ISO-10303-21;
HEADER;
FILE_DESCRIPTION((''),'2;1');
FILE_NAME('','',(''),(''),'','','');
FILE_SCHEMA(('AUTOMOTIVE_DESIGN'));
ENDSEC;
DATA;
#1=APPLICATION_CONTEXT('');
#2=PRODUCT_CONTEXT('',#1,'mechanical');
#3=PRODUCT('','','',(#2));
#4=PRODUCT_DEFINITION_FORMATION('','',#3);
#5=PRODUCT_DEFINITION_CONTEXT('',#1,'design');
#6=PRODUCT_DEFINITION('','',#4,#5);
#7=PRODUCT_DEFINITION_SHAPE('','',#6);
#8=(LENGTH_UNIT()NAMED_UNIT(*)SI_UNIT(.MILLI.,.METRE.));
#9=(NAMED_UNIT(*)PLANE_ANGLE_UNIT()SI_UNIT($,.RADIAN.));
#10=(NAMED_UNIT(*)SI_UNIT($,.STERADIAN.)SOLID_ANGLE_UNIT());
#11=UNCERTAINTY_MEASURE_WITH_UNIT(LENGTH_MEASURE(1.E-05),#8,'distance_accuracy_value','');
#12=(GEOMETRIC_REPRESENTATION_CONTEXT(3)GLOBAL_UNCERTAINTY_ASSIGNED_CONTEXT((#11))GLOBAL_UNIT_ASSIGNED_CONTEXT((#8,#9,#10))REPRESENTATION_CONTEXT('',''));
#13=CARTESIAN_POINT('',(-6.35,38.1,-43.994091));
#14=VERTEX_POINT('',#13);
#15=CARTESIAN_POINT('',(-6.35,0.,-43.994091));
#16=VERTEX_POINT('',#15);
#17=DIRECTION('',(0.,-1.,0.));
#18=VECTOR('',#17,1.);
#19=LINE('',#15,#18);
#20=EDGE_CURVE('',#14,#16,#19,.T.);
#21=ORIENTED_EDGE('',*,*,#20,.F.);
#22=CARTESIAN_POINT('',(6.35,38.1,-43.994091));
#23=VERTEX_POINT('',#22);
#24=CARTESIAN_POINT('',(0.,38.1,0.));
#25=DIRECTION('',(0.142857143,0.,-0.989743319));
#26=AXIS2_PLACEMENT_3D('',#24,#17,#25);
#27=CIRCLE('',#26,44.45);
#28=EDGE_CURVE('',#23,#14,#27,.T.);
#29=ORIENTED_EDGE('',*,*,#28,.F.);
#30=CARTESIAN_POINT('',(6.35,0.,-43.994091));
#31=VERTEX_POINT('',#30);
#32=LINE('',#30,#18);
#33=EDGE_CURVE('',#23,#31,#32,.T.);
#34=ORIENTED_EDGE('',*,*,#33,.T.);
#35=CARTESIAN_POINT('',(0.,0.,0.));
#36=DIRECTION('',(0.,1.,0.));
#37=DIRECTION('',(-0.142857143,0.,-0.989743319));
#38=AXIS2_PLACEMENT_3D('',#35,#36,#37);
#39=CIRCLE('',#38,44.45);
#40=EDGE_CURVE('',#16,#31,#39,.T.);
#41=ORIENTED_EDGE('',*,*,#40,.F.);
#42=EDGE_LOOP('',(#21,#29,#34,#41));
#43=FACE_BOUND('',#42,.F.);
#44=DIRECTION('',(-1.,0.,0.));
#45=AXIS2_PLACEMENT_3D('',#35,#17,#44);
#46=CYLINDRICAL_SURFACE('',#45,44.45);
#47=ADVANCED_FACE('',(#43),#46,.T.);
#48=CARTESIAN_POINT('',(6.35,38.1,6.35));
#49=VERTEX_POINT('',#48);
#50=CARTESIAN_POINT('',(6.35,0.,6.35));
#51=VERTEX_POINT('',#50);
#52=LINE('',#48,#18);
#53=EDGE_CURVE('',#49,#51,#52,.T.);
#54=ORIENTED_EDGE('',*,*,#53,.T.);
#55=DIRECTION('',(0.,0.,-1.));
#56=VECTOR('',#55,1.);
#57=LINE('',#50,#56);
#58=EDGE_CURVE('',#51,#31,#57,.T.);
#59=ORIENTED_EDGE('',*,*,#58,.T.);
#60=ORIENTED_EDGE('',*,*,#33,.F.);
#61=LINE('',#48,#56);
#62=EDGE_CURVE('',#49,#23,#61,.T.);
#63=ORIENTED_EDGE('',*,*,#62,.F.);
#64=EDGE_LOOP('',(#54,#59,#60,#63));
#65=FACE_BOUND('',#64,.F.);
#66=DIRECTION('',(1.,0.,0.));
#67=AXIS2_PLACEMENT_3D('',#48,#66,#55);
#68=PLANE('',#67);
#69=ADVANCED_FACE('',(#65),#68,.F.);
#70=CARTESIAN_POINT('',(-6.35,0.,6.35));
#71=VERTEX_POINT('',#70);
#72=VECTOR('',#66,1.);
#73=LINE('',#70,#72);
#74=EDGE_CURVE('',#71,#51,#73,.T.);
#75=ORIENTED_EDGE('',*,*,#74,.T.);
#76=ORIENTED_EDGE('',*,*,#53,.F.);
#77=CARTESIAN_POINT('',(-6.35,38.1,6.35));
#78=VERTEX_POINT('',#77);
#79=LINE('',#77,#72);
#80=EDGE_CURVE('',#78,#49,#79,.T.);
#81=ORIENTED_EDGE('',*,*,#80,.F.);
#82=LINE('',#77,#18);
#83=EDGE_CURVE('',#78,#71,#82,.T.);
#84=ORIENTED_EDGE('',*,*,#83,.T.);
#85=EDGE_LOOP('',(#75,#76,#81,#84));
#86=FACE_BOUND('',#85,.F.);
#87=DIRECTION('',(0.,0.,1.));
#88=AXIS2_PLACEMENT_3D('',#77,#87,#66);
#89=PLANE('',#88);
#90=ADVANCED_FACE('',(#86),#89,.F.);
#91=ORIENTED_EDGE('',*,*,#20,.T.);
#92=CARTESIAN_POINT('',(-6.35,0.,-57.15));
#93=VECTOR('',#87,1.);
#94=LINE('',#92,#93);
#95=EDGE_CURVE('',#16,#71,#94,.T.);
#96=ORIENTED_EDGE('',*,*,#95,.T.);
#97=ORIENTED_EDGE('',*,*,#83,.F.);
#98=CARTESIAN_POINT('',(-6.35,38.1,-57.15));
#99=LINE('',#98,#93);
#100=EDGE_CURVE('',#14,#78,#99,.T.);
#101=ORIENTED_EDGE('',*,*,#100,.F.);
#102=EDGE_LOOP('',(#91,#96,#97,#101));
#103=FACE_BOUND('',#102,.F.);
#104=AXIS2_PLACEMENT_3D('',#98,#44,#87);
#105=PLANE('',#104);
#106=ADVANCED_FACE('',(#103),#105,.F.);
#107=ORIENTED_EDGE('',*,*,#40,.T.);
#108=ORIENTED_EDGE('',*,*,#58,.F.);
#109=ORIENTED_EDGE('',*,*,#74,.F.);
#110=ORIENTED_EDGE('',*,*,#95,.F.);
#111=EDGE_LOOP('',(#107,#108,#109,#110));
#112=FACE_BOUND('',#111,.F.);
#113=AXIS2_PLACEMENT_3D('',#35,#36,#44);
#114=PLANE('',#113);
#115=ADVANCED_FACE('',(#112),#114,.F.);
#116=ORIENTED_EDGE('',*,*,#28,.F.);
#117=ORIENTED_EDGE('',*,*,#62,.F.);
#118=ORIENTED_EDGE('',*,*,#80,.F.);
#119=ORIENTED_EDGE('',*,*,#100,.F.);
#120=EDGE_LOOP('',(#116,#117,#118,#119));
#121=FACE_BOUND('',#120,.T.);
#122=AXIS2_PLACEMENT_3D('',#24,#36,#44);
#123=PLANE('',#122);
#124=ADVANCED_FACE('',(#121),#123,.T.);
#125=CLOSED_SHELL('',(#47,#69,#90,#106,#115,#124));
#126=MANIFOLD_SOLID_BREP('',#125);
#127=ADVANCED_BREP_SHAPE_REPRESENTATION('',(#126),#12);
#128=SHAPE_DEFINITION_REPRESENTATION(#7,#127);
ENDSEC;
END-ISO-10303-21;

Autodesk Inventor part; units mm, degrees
ref_plane "YZ Plane" through (0, 0, 0) normal (1, 0, 0) x (0, 1, 0)
ref_plane "XZ Plane" through (0, 0, 0) normal (0, 1, 0) x (-1, 0, 0)
ref_plane "XY Plane" through (0, 0, 0) normal (0, 0, 1) x (1, 0, 0)
sketch "Sketch1" plane through (0, 0, 0) normal (0, 1, 0) x (-1, 0, 0)
  circle A0 centre (0, 0) radius 44.45
  dimension "d0" = 88.9
extrude "Extrusion1" add sketch "Sketch1" along normal blind 38.1
sketch "Sketch2" plane through (0, 38.1, 0) normal (0, 1, 0) x (1, 0, 0)
  line L0 (-6.35, -6.35) -> (6.35, -6.35)
  line L1 (6.35, -6.35) -> (6.35, 57.15)
  line L2 (6.35, 57.15) -> (-6.35, 57.15)
  line L3 (-6.35, 57.15) -> (-6.35, -6.35)
  line L4 (-6.35, -6.35) -> (6.35, 57.15) construction
  line L5 (6.35, -6.35) -> (-6.35, 57.15) construction
  point P0 (0, 0)
  point P1 (0, 25.4)
  point P2 (0, -6.35)
  dimension "d3" = 12.7
  dimension "d4" = 63.5
  dimension "d5" = 6.35
  dimension "d6" = 0
extrude "Extrusion2" cut sketch "Sketch2" against normal blind 38.1
properties part number "2kg Mass"
